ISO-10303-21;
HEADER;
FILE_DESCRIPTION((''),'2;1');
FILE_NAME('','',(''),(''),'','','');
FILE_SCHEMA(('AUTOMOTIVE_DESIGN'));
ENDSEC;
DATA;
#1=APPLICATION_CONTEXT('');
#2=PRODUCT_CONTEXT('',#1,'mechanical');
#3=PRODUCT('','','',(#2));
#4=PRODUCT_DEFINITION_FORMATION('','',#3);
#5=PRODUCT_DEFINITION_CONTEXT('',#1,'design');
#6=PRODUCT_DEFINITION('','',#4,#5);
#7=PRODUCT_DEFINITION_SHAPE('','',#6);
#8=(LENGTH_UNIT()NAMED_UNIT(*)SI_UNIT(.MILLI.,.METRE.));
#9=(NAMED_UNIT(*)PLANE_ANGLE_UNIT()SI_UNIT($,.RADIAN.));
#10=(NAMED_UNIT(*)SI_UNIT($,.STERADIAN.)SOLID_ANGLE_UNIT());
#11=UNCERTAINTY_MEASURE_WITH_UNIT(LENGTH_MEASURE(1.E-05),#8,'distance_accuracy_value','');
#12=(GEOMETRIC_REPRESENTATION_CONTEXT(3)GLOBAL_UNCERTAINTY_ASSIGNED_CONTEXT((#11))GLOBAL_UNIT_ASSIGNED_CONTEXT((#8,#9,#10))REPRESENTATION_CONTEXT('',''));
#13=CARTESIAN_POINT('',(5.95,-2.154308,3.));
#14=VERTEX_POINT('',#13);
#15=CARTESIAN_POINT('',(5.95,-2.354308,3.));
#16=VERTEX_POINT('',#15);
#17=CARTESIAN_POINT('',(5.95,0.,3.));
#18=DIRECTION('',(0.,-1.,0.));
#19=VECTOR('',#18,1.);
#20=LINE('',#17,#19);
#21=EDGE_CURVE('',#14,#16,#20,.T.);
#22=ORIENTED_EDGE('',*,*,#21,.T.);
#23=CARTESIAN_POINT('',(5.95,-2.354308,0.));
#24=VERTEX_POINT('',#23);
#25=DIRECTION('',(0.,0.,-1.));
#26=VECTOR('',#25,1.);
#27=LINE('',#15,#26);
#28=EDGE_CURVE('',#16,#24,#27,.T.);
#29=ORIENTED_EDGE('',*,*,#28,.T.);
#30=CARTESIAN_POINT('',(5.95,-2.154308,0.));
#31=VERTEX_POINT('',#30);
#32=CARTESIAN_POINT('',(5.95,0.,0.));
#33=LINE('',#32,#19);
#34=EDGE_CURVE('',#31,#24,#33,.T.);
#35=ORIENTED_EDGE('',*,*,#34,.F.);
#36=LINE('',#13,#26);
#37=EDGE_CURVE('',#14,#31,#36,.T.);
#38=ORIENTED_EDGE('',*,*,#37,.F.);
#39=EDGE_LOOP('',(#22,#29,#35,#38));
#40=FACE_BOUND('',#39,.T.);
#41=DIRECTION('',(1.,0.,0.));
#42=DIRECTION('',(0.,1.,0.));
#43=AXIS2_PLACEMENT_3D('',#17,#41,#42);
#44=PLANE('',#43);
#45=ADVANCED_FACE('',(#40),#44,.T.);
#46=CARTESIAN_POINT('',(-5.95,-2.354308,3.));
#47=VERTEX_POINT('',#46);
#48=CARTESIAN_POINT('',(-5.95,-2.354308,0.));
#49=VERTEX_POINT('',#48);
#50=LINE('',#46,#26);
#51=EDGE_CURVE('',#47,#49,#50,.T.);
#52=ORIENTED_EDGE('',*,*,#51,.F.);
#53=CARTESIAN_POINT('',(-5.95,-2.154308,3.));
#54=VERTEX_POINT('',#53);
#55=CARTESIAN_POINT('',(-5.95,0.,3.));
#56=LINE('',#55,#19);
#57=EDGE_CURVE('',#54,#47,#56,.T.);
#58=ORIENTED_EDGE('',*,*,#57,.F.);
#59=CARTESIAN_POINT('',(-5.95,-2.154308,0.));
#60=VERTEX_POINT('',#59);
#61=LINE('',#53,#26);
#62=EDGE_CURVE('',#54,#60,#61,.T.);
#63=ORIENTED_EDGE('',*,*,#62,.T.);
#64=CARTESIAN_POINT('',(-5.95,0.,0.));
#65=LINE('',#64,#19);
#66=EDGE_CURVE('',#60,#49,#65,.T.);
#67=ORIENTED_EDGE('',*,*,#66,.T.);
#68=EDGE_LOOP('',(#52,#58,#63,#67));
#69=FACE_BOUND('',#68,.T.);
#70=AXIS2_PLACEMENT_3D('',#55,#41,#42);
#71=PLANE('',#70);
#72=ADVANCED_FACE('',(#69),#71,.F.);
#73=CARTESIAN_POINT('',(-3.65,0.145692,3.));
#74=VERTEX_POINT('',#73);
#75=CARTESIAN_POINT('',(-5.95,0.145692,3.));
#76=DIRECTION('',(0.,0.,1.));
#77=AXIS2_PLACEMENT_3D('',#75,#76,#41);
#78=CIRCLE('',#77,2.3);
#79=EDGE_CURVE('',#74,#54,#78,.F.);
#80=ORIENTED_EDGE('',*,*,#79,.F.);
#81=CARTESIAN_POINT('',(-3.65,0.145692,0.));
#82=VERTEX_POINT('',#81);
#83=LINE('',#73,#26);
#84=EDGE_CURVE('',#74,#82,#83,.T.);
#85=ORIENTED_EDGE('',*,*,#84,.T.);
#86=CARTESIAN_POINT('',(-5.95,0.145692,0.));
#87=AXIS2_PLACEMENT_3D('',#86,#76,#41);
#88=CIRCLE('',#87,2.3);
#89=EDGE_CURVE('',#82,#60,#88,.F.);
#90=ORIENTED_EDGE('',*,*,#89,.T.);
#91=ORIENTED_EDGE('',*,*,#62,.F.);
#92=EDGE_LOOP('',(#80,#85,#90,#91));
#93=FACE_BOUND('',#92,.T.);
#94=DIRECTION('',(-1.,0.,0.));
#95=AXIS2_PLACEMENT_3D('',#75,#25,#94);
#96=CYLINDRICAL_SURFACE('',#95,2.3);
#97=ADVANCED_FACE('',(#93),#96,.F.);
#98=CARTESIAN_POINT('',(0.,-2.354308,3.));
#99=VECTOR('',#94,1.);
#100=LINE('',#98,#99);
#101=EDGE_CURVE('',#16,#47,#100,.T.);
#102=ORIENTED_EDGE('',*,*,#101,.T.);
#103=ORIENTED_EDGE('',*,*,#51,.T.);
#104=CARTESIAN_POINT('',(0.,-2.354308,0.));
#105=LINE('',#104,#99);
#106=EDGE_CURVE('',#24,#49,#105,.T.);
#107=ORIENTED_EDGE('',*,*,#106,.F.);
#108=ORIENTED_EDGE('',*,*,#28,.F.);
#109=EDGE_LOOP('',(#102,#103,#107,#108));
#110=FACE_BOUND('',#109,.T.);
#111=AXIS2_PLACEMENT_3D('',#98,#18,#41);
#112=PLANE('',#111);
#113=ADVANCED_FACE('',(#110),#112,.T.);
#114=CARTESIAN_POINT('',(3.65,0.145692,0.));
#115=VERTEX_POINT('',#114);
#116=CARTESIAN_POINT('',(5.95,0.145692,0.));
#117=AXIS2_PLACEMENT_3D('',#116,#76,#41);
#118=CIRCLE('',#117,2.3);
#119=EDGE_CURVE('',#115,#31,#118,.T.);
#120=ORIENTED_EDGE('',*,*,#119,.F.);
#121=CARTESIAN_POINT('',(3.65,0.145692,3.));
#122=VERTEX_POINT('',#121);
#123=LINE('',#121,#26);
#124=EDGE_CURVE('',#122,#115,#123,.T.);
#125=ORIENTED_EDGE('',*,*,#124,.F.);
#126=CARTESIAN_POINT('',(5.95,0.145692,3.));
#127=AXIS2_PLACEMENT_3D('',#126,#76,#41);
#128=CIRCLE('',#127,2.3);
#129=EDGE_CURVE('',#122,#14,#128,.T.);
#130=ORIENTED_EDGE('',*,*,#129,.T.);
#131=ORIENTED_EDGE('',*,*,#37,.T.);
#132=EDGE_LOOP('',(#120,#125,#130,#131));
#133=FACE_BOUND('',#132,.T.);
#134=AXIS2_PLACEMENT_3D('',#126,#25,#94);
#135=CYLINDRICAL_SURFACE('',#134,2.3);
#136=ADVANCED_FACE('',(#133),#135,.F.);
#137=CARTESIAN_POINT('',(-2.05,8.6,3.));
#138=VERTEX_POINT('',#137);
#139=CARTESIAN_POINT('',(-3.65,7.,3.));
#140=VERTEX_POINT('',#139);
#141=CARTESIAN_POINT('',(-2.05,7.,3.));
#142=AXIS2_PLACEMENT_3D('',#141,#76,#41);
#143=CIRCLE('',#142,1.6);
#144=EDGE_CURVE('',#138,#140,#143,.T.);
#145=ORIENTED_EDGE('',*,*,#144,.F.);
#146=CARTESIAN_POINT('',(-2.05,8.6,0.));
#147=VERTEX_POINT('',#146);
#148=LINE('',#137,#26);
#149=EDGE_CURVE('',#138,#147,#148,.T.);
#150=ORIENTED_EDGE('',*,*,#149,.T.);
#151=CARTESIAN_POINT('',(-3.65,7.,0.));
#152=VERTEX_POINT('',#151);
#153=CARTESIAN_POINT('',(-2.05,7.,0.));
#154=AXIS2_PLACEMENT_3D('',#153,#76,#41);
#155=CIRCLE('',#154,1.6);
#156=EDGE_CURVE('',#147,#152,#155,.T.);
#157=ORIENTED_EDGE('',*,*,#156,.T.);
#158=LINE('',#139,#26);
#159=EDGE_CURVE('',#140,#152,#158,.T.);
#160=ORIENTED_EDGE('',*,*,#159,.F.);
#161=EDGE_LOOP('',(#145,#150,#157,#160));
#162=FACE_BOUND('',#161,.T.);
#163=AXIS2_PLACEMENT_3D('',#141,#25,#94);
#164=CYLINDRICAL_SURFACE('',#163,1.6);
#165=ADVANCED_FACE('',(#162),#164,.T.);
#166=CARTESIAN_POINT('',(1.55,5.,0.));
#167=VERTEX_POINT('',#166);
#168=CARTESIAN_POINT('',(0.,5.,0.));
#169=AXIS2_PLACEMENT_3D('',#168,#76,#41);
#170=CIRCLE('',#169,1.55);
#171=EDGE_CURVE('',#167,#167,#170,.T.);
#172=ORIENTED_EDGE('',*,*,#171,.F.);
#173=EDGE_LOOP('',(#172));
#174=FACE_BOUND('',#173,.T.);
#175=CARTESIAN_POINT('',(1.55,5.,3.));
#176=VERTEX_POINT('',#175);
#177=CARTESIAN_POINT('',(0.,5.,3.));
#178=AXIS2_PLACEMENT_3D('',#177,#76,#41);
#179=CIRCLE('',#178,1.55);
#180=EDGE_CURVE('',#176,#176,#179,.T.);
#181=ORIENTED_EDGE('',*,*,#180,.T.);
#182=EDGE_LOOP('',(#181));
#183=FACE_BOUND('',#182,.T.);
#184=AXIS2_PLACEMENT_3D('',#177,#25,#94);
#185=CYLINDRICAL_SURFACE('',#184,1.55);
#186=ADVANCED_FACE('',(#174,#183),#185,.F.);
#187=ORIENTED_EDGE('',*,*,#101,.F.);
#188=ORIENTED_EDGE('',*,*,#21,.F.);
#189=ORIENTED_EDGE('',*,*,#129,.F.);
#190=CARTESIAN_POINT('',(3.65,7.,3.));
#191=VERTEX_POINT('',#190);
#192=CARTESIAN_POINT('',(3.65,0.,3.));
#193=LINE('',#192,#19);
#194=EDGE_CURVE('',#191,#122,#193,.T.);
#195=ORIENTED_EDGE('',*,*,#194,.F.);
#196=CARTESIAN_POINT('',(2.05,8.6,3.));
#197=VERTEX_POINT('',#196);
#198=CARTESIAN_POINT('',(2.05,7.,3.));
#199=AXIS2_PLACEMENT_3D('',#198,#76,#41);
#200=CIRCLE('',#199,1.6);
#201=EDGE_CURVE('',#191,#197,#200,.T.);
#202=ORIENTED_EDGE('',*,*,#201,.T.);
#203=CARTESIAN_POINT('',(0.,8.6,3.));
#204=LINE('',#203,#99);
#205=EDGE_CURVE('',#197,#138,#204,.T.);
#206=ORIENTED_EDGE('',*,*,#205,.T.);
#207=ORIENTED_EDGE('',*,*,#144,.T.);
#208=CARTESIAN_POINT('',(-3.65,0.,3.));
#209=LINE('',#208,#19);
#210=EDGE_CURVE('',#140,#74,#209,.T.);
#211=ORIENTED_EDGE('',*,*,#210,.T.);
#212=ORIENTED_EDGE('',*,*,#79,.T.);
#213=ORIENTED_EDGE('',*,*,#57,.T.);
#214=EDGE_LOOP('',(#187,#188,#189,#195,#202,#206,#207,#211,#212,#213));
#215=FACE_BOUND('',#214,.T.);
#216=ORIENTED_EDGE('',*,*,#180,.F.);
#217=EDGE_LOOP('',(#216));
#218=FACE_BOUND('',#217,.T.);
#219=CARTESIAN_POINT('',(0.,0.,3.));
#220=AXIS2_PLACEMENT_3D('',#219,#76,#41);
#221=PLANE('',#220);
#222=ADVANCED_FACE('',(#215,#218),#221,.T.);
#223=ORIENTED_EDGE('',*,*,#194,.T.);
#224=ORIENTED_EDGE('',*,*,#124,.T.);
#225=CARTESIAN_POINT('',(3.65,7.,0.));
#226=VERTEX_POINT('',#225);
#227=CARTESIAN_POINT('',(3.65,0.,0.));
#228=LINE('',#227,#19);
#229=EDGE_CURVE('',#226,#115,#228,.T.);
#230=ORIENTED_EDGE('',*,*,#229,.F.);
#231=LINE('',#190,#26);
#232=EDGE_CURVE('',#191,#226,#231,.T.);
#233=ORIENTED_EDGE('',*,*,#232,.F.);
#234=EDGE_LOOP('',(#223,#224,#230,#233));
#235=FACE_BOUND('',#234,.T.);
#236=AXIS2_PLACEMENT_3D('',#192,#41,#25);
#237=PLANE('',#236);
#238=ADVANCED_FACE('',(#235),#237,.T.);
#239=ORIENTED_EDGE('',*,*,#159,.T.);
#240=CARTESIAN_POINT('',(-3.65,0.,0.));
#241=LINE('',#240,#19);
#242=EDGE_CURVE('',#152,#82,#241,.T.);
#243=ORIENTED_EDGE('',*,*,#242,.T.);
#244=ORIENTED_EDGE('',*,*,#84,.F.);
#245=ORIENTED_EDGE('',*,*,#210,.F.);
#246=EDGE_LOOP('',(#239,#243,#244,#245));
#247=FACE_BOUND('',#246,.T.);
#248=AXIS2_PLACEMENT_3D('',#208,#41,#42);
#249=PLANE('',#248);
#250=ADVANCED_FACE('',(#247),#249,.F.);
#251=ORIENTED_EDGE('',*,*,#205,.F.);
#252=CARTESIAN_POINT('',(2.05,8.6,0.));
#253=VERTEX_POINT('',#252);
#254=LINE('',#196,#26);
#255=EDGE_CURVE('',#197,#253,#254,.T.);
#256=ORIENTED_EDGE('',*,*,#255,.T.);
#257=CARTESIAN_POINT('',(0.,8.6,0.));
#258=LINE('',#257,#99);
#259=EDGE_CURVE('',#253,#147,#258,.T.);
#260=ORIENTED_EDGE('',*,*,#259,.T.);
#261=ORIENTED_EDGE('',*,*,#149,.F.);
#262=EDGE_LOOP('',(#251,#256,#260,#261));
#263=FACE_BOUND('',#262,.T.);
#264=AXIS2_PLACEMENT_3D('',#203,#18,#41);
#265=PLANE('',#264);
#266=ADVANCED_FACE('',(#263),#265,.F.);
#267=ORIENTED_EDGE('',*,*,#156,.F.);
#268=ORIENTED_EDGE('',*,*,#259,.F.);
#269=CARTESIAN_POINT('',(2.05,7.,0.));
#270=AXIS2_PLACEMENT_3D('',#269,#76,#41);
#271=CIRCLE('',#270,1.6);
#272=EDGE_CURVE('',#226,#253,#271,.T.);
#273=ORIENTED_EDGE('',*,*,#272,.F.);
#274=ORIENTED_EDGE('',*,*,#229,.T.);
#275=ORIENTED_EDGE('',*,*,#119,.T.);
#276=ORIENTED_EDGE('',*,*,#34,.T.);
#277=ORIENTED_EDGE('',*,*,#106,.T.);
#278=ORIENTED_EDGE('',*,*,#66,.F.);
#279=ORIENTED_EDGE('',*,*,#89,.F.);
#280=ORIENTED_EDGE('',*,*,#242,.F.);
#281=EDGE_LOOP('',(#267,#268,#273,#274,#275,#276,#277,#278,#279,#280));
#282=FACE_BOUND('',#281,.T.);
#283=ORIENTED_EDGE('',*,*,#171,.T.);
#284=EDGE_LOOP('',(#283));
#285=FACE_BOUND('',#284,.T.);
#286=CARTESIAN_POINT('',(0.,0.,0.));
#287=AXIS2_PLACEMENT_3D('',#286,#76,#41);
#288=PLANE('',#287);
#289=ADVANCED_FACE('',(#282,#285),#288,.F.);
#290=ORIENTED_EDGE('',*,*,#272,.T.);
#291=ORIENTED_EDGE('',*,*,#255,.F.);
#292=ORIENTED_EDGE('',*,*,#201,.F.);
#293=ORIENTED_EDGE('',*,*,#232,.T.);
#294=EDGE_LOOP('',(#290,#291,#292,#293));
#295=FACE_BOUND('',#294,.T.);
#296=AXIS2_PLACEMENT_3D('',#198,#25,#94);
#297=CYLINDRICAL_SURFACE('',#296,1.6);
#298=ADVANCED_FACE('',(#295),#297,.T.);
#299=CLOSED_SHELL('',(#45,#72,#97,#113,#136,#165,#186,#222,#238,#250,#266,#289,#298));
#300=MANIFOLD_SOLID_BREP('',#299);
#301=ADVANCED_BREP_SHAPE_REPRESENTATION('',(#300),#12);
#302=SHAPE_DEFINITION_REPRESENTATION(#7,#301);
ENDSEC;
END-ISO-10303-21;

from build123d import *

# Parameters (mm, degrees)
SKETCH1_R           = 1.55
BOSS_EXTRUDE1_DEPTH = 3


with BuildPart() as part:
    # Sketch1 → Boss-Extrude1 (new body)
    with BuildSketch(Plane.XY):
        with BuildLine():
            Line((-5.95, -2.354308425), (-3.45, -2.354308425))
            Line((-3.45, -2.354308425), (3.45, -2.354308425))
            Line((3.45, -2.354308425), (5.95, -2.354308425))
            Line((5.95, -2.354308425), (5.95, -2.154308425))
            ThreePointArc((5.95, -2.154308425), (4.323654403, -1.480654022), (3.65, 0.145691575))
            Line((3.65, 0.145691575), (3.65, 3))
            Line((3.65, 3), (3.65, 7))
            ThreePointArc((3.65, 7), (3.18137085, 8.13137085), (2.05, 8.6))
            Line((2.05, 8.6), (-2.05, 8.6))
            ThreePointArc((-2.05, 8.6), (-3.18137085, 8.13137085), (-3.65, 7))
            Line((-3.65, 7), (-3.65, 3))
            Line((-3.65, 3), (-3.65, 0.145691575))
            ThreePointArc((-3.65, 0.145691575), (-4.323654403, -1.480654022), (-5.95, -2.154308425))
            Line((-5.95, -2.154308425), (-5.95, -2.354308425))
        make_face()
        with Locations((0, 5)):
            Circle(SKETCH1_R, mode=Mode.SUBTRACT)
    extrude(amount=BOSS_EXTRUDE1_DEPTH)


solid = part.part
